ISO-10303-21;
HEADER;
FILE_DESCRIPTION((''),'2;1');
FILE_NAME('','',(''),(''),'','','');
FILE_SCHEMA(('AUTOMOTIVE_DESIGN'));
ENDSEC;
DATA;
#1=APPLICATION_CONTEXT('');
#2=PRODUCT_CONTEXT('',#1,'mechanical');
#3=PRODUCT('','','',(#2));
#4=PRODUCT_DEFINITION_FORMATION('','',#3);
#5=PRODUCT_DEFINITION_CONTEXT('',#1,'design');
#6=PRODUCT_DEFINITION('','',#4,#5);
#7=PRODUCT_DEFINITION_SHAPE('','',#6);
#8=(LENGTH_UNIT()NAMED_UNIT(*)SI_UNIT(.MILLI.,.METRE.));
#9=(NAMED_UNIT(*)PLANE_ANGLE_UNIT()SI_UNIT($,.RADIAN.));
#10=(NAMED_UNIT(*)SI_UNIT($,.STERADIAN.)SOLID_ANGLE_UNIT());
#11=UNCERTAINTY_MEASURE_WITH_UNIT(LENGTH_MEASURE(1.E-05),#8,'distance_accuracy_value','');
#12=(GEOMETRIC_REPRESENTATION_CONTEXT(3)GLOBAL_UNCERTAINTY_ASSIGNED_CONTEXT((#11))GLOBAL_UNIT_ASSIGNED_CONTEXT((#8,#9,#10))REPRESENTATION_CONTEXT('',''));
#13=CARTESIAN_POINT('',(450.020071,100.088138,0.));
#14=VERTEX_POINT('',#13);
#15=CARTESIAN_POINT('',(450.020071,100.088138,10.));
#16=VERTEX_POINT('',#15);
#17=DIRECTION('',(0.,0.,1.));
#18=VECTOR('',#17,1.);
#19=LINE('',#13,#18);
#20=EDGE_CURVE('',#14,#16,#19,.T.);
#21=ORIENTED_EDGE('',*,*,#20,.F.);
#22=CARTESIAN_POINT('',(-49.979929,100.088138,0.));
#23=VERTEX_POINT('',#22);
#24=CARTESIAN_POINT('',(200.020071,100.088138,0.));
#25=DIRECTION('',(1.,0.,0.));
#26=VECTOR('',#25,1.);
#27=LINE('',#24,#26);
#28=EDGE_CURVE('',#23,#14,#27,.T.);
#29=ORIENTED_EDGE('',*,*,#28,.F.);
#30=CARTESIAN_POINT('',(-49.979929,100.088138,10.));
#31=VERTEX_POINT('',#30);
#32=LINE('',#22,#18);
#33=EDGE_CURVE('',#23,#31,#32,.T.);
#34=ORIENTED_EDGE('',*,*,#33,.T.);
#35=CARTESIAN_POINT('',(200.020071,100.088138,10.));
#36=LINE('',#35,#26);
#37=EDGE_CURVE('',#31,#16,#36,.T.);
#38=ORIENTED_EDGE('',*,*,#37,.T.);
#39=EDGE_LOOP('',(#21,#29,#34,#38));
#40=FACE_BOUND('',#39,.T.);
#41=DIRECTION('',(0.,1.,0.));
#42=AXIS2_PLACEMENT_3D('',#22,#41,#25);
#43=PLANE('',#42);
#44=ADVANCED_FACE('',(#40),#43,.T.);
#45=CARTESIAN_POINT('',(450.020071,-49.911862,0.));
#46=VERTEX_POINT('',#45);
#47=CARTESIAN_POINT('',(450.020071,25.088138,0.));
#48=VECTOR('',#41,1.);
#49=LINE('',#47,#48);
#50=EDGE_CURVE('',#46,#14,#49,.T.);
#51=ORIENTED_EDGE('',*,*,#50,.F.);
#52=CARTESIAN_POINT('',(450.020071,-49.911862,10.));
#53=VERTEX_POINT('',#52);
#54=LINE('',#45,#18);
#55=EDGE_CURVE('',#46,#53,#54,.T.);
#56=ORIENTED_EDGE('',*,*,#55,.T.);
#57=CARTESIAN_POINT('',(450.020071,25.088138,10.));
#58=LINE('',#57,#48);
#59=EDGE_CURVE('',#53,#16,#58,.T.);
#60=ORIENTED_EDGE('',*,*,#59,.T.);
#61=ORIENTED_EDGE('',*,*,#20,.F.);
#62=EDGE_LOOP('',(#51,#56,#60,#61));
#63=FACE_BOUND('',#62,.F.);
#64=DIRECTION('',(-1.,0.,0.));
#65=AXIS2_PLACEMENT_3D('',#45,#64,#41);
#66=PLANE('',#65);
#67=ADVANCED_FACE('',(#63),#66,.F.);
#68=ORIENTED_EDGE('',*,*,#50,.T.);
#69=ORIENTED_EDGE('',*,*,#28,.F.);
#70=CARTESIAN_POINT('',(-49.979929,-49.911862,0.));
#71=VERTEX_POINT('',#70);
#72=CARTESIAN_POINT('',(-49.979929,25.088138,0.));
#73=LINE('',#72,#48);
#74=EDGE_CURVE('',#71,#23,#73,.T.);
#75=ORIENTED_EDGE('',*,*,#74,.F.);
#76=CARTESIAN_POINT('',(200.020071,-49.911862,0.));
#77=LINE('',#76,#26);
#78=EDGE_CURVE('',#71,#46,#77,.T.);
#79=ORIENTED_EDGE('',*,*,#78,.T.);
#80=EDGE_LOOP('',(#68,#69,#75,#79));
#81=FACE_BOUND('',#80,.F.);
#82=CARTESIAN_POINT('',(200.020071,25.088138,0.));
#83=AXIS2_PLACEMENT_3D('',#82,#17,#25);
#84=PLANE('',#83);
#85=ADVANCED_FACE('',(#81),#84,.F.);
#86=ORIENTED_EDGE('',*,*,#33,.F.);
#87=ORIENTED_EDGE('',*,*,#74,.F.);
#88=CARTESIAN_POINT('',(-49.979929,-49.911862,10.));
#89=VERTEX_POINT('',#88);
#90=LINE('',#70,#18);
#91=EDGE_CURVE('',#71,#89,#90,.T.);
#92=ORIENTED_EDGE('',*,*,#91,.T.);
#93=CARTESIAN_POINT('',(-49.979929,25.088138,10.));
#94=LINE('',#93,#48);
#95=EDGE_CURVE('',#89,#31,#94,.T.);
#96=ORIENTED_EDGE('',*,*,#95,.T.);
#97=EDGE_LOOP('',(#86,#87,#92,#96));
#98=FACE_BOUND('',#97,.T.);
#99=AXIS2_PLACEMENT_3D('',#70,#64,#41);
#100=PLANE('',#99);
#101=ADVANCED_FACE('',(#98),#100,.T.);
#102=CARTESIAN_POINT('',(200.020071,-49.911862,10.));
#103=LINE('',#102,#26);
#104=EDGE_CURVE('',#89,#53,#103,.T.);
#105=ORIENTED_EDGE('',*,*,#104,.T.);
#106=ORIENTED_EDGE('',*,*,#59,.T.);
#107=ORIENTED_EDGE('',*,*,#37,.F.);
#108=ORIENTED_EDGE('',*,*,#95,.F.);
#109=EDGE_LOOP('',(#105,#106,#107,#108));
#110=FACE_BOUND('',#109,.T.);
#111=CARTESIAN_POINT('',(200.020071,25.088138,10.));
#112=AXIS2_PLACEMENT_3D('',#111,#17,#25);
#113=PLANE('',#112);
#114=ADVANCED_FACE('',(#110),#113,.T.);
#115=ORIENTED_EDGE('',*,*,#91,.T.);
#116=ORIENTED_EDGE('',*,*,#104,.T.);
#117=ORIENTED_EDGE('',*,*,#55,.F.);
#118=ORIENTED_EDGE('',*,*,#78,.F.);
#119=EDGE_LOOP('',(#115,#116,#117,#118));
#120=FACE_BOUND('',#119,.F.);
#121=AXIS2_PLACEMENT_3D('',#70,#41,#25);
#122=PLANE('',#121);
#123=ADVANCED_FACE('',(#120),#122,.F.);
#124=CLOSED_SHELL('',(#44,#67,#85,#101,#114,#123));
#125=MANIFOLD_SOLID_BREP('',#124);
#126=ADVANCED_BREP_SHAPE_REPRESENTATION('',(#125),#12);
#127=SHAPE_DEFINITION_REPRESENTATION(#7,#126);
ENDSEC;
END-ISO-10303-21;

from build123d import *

# Parameters (mm, degrees)
RECTANGLE_W      = 500
RECTANGLE_H      = 150
EXTRUDE001_DEPTH = 10


with BuildPart() as part:
    # Rectangle → Extrude001 (new body)
    with BuildSketch(Plane(origin=(-49.979929, -49.911862, 0), x_dir=(1, 0, 0), z_dir=(0, 0, 1))):
        with Locations((250, 75)):
            Rectangle(RECTANGLE_W, RECTANGLE_H)
    extrude(amount=EXTRUDE001_DEPTH)


solid = part.part
